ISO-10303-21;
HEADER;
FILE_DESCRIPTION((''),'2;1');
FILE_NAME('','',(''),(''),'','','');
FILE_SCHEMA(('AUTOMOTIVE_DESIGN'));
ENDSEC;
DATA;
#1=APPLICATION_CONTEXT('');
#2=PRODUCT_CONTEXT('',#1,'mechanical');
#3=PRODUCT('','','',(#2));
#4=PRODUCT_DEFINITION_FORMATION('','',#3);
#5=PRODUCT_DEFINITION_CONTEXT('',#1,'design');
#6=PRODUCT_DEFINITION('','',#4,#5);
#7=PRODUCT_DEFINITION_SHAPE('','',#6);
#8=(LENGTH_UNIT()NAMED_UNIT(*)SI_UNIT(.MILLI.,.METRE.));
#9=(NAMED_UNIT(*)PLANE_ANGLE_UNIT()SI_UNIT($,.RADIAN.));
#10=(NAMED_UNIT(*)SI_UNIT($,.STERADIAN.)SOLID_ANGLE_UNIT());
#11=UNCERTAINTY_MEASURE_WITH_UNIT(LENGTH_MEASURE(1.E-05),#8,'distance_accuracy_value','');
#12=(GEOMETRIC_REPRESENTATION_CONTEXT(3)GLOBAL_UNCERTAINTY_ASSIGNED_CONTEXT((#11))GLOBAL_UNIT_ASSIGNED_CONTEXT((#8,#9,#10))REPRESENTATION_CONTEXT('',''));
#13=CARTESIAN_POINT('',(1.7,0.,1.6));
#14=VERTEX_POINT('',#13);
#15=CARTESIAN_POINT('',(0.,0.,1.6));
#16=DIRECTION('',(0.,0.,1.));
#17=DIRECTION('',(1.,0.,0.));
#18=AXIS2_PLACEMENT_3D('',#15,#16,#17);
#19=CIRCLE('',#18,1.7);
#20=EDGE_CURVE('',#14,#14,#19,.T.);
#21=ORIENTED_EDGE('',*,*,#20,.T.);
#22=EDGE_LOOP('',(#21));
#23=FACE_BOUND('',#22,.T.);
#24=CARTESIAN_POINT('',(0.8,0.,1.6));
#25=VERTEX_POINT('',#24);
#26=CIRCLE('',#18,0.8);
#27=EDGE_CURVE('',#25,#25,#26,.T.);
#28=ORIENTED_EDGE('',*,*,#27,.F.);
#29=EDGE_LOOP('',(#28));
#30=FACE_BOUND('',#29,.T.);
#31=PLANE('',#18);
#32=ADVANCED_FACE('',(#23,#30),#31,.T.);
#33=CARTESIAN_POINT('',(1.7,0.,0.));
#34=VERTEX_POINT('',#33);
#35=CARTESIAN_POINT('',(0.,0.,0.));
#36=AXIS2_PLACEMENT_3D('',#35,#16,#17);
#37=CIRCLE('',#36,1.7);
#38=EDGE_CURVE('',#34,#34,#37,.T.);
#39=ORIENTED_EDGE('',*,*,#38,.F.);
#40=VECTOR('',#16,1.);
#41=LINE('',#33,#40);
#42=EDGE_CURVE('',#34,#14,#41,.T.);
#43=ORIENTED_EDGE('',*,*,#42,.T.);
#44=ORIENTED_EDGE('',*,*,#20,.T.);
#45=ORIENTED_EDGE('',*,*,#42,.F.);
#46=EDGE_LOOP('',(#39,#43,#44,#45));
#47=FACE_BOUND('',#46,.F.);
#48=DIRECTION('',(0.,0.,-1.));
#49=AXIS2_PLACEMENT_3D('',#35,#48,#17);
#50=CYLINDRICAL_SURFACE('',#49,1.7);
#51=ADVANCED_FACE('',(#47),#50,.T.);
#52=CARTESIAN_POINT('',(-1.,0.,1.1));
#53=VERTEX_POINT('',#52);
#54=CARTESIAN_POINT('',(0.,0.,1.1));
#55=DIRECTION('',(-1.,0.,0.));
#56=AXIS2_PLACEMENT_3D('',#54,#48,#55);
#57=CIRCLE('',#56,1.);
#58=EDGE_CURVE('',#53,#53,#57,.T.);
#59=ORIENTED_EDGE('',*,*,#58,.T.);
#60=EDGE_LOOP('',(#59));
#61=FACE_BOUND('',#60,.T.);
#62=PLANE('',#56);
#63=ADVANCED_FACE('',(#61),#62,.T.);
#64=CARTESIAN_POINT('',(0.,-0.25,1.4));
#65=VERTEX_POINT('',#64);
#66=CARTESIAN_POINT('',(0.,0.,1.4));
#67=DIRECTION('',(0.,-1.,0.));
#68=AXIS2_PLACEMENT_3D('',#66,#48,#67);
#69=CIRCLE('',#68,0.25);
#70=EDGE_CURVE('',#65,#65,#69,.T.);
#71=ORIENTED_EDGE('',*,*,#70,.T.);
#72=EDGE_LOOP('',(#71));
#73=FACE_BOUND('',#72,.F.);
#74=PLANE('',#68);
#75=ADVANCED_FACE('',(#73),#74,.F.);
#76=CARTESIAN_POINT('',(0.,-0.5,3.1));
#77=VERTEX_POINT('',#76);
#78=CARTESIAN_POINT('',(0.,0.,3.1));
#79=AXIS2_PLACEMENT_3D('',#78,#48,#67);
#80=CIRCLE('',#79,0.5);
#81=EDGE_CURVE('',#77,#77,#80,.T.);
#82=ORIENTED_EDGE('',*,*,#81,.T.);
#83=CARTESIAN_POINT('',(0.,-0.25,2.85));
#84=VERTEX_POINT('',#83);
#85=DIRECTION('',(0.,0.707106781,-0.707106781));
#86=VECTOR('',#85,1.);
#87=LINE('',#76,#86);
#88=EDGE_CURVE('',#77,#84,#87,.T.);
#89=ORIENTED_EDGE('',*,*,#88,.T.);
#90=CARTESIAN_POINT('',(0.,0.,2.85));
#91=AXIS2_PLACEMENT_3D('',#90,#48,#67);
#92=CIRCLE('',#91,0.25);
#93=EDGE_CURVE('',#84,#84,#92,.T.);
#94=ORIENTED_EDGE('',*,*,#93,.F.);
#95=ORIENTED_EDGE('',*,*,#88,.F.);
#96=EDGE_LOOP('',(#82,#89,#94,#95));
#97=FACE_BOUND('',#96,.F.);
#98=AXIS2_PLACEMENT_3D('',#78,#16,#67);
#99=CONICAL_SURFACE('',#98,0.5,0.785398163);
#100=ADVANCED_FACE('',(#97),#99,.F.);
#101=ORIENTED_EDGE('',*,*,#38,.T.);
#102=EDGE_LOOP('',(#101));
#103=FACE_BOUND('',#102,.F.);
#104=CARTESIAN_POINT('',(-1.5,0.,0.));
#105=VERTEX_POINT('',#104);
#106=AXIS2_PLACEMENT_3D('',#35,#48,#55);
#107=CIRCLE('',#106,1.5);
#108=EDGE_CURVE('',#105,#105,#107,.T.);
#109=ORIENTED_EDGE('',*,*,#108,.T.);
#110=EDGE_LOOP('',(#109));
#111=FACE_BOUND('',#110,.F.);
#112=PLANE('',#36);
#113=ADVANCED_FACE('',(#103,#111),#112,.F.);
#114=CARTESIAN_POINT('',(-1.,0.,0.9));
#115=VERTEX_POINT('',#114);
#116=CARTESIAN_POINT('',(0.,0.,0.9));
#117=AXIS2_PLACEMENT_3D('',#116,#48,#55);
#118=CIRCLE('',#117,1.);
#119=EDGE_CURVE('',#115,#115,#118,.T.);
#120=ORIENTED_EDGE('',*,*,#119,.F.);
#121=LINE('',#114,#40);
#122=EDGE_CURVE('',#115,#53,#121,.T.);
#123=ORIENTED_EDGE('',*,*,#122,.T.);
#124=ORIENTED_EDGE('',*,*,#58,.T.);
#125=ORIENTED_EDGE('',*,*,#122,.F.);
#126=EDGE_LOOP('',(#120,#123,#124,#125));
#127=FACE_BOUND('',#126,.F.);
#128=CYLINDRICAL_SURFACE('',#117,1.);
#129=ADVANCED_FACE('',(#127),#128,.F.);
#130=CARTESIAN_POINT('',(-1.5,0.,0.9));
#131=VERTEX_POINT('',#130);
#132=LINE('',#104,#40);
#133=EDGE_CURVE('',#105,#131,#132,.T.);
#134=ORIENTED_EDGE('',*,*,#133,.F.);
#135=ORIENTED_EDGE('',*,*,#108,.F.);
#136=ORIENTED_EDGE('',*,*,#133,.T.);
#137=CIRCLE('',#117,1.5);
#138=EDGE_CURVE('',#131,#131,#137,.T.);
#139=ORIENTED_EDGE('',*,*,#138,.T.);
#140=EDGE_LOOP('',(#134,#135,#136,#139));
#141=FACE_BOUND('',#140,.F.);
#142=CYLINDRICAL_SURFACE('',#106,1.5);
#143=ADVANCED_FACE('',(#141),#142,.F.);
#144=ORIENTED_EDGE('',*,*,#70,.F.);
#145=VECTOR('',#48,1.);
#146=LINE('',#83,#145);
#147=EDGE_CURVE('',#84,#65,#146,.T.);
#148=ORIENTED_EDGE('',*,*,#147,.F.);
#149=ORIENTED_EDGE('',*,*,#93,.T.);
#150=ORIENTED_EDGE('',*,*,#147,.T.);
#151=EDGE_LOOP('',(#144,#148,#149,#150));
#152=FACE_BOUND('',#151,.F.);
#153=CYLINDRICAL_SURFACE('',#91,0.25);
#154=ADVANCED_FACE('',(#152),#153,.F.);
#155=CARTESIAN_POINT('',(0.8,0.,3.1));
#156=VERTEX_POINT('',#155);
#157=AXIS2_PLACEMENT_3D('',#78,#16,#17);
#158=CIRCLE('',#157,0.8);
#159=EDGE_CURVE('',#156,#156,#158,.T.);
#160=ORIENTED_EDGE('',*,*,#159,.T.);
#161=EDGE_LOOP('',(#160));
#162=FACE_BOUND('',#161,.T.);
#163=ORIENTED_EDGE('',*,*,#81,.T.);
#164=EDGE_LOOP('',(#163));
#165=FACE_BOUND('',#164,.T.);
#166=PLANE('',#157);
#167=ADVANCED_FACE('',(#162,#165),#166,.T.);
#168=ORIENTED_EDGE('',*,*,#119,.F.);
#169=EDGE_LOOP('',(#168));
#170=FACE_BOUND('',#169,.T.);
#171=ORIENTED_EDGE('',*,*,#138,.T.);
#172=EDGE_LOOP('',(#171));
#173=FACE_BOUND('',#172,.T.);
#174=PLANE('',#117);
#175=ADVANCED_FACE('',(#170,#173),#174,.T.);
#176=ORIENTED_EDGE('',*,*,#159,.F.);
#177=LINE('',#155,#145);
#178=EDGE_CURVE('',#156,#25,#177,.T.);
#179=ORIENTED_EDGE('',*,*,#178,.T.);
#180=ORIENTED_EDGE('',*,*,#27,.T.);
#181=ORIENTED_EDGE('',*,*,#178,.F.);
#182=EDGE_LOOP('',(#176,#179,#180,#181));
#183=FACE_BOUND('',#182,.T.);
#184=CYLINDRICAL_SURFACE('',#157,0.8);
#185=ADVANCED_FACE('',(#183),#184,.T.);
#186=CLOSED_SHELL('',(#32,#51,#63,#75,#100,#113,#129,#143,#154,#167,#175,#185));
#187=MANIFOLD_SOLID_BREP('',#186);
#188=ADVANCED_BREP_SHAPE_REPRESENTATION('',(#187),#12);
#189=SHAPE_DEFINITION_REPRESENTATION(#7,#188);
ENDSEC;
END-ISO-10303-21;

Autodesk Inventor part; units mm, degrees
ref_plane "YZ Plane" through (0, 0, 0) normal (1, 0, 0) x (0, 1, 0)
ref_plane "XZ Plane" through (0, 0, 0) normal (0, 1, 0) x (-1, 0, 0)
ref_plane "XY Plane" through (0, 0, 0) normal (0, 0, 1) x (1, 0, 0)
sketch "Sketch1" plane through (0, 0, 0) normal (0, 0, 1) x (1, 0, 0)
  circle A0 centre (0, 0) radius 1.7
  dimension "d0" = 3.4
extrude "Extrusion1" add sketch "Sketch1" along normal blind 3.1
sketch "Sketch2" plane through (0, 0, 3.1) normal (0, 0, 1) x (1, 0, 0)
  circle A0 centre (0, 0) radius 1.7 projected
  circle A1 centre (0, 0) radius 0.2
  dimension "d3" = 0.4
extrude "Extrusion2" [suppressed]
sketch "Sketch3" plane through (0, 0, 0) normal (0, 0, -1) x (-1, 0, 0)
  circle A0 centre (0, 0) radius 1.7 projected
  circle A1 centre (0, 0) radius 1.5
  dimension "d6" = 3
extrude "Extrusion3" cut sketch "Sketch3" against normal blind 0.9 contours A1
sketch "Sketch4" plane through (0, 0, 3.1) normal (0, 0, 1) x (1, 0, 0)
  circle A0 centre (0, 0) radius 1.7 projected
  circle A1 centre (0, 0) radius 0.8
  dimension "d9" = 1.6
extrude "Extrusion4" cut sketch "Sketch4" against normal blind 1.5
sketch "Sketch5" plane through (0, 0, 0.9) normal (0, 0, -1) x (-1, 0, 0)
  circle A0 centre (0, 0) radius 1.5 projected
  circle A1 centre (0, 0) radius 1.5 projected
  circle A2 centre (0, 0) radius 1.5 projected
  circle A3 centre (0, 0) radius 0.65
  dimension "d12" = 3
  dimension "d13" = 1.3
extrude "Extrusion5" [suppressed]
chamfer "Chamfer1" [suppressed]
hole "Hole1" at (0, 0, 3.1) direction (0, 0, -1) diameter 0.5 depth 1.7 countersink diameter 1 countersink angle 90
sketch "Sketch6" plane through (0, 0, 0.9) normal (0, 0, -1) x (-1, 0, 0)
  circle A0 centre (0, 0) radius 1.5 projected
  circle A1 centre (0, 0) radius 1.5 projected
  circle A2 centre (0, 0) radius 1
  dimension "d28" = 2
extrude "Extrusion6" cut sketch "Sketch6" against normal blind 0.2 contours A2
equation "\"baseInitD\" = 4"
equation "\"baseTh0\" = 48.463041deg"
equation "\"baseTh1\" = 23.073918deg"
equation "\"topD\" = 14"
equation "\"topInitD\" = 4"
equation "\"topTh0\" = 16.60155deg"
equation "\"topTh1\" = 86.796901deg"
equation "\"dFlexure\" = 0.38"
equation "\"lFlexure\" = 1.5"
equation "\"springBaseD\" = 8"
equation "\"dMotor\" = 1.44"
equation "\"springTopD\" = 8"
equation "\"springInitL\" = 12.7"
equation "\"lMotor\" = 22.35"
equation "\"topH\" = 21.66629"
equation "\"springL\" = 30.86629"
equation "\"springLset\" = 3.5"
equation "\"springDeform\" = 18.16629"
equation "\"springUnderCut\" = 9.2"
equation "\"spirngLO\" = 31.67176"
equation "\"springLO\" = 33.86629"
equation "\"lFlexureOffset\" = 1.95"
equation "\"dM2X\" = -1.34133"
equation "\"dM2Y\" = 7.00349"
equation "\"dM1Y\" = 2.34012"
equation "\"dM1X\" = 6.73587"
equation "\"dM1Yt\" = -0.43704"
equation "\"dM1Xt\" = 6.59227"
equation "\"dM2Xt\" = -3.67462"
equation "\"dM2Yt\" = 5.49055"
equation "\"GuideRod\" = 2"
equation "\"baseOD\" = 23"
equation "\"CSpringOD\" = 5.537"
equation "\"GuideTubingOD\" = 4"
equation "\"CSpringID\" = 5.029"
equation "\"CSpringCD\" = 0.254"
equation "\"GuideTubingID\" = 2"
equation "\"lOCTprobe\" = 1905"
equation "\"OCToffset\" = 365.252"
equation "\"lOCT\" = 1473.2"
equation "\"lOCTprobeNorm\" = 1838.452"
equation "\"lOCTprobeNom\" = 1838.452"
equation "\"OCTd0\" = 508"
equation "\"OCTd1\" = 254"
properties part number "MU_Bearing_Housing2" material "Aluminum-6061-AHC"
